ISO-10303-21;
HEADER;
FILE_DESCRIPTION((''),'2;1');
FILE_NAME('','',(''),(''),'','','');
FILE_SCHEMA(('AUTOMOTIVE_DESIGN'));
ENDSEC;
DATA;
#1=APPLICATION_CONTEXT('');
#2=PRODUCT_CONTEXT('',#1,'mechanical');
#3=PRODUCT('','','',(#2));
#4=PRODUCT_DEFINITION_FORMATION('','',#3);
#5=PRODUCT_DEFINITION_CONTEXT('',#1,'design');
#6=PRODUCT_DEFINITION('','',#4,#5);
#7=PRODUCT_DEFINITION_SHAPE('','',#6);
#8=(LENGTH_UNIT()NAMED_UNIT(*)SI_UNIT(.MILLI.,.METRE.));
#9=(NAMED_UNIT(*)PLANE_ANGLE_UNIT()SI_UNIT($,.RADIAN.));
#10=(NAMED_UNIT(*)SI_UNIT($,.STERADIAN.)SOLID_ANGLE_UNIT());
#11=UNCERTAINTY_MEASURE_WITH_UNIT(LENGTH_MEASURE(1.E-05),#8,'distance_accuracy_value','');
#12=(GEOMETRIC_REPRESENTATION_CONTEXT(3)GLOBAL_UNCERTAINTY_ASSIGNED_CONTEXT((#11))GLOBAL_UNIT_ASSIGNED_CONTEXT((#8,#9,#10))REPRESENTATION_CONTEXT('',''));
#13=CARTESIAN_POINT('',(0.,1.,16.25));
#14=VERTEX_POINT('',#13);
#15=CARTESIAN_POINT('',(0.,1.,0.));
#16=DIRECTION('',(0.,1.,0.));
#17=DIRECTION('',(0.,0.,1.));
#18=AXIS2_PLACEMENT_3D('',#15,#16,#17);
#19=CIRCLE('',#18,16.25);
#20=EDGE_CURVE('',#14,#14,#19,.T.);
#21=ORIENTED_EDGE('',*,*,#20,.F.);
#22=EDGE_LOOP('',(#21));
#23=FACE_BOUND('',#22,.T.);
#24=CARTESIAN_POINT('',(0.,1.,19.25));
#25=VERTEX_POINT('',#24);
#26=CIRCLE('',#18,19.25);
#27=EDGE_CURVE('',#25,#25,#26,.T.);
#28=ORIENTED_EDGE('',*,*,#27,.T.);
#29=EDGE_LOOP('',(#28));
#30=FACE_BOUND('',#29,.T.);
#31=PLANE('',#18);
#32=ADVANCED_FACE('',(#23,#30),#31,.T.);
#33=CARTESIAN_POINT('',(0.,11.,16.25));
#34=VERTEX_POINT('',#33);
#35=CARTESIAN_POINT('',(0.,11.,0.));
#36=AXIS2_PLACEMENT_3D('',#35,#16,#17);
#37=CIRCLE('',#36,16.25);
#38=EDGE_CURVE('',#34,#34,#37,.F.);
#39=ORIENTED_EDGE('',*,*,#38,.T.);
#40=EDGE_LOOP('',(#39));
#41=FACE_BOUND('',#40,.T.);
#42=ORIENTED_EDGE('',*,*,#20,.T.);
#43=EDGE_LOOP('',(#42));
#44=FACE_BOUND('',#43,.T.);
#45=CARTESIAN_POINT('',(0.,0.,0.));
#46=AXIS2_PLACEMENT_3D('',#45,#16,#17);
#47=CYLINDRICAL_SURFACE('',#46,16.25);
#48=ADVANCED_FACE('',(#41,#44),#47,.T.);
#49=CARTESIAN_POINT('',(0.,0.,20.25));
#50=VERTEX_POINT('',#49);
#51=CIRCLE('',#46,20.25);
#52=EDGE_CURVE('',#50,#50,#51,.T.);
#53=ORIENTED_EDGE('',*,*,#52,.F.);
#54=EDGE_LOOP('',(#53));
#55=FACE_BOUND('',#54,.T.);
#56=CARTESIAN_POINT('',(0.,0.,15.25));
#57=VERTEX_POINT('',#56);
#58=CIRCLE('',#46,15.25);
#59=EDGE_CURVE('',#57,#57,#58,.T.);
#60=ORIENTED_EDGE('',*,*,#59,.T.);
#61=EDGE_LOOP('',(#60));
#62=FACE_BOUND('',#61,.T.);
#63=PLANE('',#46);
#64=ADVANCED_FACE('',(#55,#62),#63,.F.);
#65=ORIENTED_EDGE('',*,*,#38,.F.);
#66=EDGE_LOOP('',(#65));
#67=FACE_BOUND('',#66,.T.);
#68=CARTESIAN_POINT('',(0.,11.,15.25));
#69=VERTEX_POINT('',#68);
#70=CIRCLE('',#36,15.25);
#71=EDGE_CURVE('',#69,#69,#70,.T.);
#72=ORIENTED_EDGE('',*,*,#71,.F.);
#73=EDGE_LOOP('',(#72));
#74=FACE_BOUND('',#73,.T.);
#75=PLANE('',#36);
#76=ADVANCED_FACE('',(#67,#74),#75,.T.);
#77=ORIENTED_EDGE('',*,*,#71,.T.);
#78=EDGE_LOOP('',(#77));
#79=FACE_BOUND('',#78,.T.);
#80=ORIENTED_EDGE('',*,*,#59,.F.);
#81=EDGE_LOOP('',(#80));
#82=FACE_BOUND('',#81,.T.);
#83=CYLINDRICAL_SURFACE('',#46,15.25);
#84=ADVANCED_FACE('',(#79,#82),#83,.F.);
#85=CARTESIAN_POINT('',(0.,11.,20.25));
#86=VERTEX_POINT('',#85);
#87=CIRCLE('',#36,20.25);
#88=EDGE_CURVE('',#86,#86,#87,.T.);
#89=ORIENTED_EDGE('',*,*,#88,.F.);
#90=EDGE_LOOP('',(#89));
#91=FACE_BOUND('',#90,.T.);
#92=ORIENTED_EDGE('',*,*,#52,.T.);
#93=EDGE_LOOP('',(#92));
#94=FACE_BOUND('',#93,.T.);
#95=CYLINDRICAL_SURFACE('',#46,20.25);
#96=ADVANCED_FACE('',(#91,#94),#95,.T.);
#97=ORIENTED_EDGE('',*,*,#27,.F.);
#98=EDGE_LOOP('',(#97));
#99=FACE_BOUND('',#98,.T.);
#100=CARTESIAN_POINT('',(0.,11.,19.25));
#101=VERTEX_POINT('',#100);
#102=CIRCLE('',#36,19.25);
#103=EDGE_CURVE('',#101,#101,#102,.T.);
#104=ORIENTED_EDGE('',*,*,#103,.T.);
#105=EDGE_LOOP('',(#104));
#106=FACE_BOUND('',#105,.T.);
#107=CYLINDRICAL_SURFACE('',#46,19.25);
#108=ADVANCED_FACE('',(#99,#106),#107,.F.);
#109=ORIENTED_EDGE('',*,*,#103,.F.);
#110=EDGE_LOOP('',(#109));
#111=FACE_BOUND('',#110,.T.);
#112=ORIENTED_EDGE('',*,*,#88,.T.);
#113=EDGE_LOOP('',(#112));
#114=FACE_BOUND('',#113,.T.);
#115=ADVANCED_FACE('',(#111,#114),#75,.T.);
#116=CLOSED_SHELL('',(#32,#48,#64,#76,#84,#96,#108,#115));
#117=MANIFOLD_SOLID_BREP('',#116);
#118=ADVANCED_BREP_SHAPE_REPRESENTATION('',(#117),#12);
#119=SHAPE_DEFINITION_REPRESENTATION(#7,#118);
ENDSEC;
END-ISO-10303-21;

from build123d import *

# Parameters (mm, degrees)
SKETCH_1_R           = 19.25
SKETCH_1_R_2         = 16.25
EXTRUDE_1_DEPTH      = 1
SKETCH_3_R           = 20.25
SKETCH_3_R_2         = 19.25
SKETCH_3_R_3         = 16.25
SKETCH_3_R_4         = 15.25
EXTRUDE_3_DEPTH      = 10
EXTRUDE_3_DEPTH_BACK = 1


with BuildPart() as part:
    # 草图1 → 凸台-拉伸1 (new body)
    with BuildSketch(Plane(origin=(0, 0, 0), x_dir=(1, 0, 0), z_dir=(0, 1, 0))):
        Circle(SKETCH_1_R)
        Circle(SKETCH_1_R_2, mode=Mode.SUBTRACT)
    extrude(amount=EXTRUDE_1_DEPTH)

    # 草图3 → 凸台-拉伸3 (add, two sides)
    with BuildSketch(Plane(origin=(0, 1, 0), x_dir=(1, 0, 0), z_dir=(0, 1, 0))) as extrude_3_sk:
        Circle(SKETCH_3_R)
        Circle(SKETCH_3_R_2, mode=Mode.SUBTRACT)
        Circle(SKETCH_3_R_3)
        Circle(SKETCH_3_R_4, mode=Mode.SUBTRACT)
    extrude(amount=EXTRUDE_3_DEPTH)
    extrude(extrude_3_sk.sketch, amount=-EXTRUDE_3_DEPTH_BACK)


solid = part.part
